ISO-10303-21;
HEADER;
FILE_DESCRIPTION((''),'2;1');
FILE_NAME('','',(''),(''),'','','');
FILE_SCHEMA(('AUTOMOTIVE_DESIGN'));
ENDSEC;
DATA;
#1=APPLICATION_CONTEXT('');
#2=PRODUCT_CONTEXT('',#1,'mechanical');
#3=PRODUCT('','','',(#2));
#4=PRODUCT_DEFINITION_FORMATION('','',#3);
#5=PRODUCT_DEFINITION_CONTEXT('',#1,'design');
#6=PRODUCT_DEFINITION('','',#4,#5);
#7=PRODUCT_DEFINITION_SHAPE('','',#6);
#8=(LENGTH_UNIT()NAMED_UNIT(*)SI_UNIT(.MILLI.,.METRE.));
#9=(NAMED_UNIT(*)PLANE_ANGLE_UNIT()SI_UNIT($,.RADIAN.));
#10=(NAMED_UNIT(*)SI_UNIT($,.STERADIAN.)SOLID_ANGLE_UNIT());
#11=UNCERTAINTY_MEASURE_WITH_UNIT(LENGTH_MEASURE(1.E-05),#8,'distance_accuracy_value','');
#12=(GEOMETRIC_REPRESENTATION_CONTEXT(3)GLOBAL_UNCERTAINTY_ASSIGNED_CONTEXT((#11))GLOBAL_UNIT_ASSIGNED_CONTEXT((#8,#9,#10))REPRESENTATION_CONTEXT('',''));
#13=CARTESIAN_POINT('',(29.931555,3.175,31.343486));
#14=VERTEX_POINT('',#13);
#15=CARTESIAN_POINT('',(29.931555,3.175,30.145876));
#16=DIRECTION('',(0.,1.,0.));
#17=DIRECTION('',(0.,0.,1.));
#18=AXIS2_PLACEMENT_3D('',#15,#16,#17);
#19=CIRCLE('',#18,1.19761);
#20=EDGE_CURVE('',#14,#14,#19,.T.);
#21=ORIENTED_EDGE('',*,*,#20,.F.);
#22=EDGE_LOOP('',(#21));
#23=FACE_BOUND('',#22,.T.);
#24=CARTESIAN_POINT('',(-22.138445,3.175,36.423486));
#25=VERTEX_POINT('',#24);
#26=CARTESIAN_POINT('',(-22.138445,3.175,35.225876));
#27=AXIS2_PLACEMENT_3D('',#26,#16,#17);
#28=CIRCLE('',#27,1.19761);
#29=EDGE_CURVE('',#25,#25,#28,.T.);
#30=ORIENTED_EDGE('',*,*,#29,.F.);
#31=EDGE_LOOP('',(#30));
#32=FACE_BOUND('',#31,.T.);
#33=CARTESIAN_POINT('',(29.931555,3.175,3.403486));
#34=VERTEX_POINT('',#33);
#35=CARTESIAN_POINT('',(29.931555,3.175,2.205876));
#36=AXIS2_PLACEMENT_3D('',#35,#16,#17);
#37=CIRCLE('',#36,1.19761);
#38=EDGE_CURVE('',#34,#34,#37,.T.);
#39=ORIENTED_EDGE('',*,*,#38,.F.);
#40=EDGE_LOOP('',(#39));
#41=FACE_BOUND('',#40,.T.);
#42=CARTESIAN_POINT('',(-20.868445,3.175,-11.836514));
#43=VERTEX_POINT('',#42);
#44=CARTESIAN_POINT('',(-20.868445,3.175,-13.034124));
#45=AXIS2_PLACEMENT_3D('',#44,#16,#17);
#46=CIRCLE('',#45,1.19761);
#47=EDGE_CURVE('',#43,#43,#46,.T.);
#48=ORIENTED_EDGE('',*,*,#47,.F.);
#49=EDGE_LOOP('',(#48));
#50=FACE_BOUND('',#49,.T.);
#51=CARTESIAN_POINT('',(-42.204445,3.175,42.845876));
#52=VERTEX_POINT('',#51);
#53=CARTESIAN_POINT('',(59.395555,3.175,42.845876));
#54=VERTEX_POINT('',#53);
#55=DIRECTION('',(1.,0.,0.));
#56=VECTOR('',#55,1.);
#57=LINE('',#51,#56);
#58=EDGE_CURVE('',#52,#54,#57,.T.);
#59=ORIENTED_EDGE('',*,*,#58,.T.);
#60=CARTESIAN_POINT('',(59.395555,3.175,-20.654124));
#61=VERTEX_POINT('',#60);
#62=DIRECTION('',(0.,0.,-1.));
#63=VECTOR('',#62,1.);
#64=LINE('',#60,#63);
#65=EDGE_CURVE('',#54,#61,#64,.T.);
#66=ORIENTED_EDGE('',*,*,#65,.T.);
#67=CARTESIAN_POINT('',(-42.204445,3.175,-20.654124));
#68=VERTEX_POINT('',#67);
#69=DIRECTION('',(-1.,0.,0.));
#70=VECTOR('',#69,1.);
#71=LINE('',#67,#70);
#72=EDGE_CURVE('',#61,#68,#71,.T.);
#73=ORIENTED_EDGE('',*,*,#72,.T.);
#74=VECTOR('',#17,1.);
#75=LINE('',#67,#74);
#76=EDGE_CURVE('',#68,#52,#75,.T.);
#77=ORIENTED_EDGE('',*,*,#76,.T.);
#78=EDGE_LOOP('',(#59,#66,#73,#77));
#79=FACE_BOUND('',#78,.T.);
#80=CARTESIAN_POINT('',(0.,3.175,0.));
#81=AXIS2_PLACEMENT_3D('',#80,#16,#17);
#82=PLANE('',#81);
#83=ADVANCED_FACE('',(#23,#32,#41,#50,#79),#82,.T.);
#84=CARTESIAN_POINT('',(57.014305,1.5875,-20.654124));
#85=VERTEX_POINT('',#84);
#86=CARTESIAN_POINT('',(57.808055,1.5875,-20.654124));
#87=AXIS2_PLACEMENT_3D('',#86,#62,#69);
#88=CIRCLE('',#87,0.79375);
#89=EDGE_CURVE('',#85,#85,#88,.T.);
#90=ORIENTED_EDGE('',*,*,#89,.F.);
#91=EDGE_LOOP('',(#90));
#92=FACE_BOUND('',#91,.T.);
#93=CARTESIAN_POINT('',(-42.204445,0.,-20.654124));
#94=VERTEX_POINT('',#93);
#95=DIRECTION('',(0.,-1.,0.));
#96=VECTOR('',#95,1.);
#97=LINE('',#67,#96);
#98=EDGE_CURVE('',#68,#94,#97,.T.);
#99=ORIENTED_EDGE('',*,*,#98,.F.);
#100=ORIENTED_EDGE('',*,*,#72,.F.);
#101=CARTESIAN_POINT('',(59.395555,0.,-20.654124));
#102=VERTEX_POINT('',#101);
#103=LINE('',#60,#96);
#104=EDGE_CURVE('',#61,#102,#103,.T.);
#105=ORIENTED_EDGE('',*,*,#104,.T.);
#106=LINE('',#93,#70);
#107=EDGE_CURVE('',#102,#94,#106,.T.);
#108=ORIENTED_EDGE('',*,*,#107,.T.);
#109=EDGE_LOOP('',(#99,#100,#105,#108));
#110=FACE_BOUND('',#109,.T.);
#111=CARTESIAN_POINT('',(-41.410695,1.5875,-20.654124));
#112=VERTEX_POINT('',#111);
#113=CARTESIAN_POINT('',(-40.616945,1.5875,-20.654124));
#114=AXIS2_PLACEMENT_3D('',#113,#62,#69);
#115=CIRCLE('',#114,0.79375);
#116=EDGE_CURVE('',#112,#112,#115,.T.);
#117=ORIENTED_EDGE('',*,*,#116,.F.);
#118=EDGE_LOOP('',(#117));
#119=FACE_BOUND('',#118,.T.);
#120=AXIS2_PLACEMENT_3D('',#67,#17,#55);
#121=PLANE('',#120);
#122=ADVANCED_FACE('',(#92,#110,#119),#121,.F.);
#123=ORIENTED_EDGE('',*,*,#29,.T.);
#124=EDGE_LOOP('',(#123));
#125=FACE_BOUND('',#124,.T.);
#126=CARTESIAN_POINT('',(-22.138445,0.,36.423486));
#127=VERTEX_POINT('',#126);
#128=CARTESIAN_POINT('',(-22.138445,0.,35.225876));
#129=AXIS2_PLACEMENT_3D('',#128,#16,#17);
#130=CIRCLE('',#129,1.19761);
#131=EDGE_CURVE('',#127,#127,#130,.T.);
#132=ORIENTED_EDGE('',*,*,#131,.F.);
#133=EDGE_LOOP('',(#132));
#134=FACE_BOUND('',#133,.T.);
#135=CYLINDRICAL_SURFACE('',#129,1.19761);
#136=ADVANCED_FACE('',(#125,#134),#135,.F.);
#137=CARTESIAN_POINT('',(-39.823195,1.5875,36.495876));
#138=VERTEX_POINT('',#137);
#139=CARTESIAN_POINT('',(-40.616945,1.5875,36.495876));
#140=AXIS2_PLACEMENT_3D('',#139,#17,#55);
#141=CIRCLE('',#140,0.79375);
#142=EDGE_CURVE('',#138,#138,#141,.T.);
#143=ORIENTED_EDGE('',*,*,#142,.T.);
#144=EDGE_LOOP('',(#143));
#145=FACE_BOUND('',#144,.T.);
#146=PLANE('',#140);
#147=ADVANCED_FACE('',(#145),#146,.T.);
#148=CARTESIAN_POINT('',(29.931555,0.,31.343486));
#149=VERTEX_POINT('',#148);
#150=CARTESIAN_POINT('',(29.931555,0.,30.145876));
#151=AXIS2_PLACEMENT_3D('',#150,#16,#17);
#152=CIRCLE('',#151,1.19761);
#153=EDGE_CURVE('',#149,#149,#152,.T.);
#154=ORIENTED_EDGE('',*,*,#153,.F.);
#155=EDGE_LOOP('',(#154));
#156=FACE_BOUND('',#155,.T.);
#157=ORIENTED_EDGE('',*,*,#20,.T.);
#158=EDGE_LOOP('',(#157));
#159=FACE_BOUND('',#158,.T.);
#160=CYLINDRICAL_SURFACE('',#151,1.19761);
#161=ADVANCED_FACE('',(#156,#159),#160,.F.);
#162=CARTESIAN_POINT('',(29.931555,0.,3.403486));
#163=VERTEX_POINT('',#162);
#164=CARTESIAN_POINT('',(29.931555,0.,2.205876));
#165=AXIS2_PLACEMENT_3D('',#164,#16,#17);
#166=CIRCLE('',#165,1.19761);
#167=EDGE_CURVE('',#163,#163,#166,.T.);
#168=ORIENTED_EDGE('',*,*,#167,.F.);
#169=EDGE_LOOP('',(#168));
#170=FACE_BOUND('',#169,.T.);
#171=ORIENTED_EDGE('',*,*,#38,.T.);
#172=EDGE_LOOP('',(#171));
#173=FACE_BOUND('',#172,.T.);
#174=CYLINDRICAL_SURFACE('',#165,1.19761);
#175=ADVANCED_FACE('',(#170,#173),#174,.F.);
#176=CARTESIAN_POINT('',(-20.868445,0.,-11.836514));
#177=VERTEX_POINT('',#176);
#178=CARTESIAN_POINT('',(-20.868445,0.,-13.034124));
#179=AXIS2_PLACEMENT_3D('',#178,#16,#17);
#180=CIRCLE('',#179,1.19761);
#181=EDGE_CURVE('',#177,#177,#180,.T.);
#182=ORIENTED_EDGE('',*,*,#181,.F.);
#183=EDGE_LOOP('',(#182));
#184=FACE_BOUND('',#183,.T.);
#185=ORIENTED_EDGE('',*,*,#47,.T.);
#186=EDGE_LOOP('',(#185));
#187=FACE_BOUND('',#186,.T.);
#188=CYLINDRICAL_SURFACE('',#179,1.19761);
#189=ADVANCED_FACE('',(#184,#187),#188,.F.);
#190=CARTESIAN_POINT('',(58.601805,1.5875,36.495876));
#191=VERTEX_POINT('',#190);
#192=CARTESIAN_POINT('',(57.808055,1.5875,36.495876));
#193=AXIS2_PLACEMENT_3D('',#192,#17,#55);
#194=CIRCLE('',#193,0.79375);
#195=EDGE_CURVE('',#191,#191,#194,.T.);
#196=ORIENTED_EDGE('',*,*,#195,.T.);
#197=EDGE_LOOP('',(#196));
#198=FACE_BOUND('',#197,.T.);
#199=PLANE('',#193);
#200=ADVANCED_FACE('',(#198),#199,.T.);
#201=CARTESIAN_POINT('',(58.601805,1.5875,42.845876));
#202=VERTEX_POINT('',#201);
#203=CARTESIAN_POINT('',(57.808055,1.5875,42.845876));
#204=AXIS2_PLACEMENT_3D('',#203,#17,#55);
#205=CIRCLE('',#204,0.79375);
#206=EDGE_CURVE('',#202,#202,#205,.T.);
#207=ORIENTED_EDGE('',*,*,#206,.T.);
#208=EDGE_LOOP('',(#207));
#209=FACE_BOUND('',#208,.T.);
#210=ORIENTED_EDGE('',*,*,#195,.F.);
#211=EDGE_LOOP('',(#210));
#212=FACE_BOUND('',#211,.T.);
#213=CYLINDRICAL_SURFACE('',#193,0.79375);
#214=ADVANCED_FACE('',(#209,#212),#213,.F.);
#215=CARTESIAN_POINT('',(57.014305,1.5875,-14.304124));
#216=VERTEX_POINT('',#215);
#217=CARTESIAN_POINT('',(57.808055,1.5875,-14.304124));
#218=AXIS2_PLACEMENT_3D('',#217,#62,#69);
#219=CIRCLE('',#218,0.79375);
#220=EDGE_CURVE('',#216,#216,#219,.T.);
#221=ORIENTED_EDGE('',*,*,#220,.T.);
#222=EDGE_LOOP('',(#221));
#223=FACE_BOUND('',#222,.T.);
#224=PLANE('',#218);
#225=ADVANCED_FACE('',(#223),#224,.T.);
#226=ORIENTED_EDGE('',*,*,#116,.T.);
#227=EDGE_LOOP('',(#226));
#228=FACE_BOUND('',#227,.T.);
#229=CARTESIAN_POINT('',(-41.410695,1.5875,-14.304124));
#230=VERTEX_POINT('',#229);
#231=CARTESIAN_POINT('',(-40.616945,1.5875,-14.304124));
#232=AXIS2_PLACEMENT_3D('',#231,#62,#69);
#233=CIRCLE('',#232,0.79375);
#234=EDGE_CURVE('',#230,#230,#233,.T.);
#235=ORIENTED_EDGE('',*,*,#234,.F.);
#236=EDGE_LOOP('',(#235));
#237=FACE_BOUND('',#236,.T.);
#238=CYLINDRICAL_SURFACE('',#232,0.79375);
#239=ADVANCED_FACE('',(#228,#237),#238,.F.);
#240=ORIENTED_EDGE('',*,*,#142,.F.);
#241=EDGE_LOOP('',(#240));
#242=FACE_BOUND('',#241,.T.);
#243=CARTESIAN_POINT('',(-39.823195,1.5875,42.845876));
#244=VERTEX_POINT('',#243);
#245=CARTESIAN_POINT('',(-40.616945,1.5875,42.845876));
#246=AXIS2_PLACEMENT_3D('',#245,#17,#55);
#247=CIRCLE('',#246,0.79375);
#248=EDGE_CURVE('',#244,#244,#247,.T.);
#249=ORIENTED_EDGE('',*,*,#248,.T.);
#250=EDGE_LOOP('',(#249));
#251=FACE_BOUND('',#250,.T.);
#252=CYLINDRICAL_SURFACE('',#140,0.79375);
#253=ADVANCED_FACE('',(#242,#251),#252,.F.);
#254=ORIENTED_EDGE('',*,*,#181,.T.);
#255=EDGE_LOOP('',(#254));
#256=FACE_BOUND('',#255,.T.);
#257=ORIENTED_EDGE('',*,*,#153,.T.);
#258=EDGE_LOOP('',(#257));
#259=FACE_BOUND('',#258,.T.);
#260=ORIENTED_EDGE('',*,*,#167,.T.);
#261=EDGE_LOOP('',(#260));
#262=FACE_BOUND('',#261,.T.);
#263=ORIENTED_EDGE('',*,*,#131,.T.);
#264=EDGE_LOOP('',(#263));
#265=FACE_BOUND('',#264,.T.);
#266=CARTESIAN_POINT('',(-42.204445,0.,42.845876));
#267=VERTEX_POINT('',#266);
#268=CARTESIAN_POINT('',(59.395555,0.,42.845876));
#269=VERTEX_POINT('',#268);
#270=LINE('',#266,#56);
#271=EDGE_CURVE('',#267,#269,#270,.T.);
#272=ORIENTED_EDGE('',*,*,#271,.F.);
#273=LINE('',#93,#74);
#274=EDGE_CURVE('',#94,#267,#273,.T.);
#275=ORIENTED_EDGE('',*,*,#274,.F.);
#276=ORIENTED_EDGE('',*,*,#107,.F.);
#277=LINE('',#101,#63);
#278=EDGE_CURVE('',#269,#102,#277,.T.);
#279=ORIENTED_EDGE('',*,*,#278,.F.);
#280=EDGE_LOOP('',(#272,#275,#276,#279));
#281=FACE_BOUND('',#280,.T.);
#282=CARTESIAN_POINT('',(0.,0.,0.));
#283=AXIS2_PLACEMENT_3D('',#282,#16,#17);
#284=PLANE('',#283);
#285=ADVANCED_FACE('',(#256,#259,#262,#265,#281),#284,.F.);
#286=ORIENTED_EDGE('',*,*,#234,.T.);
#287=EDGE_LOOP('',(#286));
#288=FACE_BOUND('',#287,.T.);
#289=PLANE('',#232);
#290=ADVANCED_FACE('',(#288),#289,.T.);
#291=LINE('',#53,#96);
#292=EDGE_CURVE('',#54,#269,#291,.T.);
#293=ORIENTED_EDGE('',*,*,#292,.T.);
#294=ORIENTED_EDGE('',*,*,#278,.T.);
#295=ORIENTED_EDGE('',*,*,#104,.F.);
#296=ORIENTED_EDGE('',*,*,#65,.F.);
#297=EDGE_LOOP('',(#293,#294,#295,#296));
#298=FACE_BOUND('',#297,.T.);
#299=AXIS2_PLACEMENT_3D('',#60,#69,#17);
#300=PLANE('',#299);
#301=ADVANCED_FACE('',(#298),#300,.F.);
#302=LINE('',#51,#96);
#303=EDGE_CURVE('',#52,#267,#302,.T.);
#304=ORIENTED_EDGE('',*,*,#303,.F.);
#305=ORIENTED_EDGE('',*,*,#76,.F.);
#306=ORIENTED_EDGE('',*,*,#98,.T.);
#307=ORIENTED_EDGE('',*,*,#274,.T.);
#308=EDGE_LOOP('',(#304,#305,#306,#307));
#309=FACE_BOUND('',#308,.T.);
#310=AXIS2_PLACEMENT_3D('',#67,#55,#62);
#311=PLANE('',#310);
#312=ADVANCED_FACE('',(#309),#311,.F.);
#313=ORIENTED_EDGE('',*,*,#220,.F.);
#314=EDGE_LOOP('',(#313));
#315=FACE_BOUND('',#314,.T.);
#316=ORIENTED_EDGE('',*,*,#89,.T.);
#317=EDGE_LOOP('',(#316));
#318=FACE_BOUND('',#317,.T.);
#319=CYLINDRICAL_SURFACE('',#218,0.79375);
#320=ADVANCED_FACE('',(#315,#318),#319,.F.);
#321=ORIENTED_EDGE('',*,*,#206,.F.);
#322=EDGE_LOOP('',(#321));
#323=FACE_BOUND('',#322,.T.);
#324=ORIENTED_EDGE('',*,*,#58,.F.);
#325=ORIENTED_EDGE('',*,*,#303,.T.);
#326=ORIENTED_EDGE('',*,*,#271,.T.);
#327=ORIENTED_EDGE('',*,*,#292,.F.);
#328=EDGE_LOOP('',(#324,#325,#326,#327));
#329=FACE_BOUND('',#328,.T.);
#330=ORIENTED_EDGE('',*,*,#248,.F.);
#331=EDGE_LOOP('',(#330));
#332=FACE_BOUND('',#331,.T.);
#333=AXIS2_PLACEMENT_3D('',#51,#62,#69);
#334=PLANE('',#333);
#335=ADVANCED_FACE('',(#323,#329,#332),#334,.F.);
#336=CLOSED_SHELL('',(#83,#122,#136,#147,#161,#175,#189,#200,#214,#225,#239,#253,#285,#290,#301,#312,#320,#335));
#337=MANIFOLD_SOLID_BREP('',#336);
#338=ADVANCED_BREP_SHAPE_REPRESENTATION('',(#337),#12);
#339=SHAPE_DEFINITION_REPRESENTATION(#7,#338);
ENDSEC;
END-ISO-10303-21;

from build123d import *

# Parameters (mm, degrees)
SKETCH1_W           = 101.6
SKETCH1_H           = 63.5
BOSS_EXTRUDE1_DEPTH = 3.175
SKETCH2_R           = 0.79375
CUT_EXTRUDE1_DEPTH  = 6.35
SKETCH3_R           = 0.79375
CUT_EXTRUDE2_DEPTH  = 6.35
SKETCH4_R           = 1.19761
CUT_EXTRUDE3_DEPTH  = 4.175


with BuildPart() as part:
    # Sketch1 → Boss-Extrude1 (new body)
    with BuildSketch(Plane(origin=(0, 0, 0), x_dir=(1, 0, 0), z_dir=(0, 1, 0))):
        with Locations((8.595554542, -11.095875723)):
            Rectangle(SKETCH1_W, SKETCH1_H)
    extrude(amount=BOSS_EXTRUDE1_DEPTH)

    # Sketch2 → Cut-Extrude1 (cut)
    with BuildSketch(Plane.XY.offset(42.845875723)):
        with Locations((-40.616945458, 1.5875)):
            Circle(SKETCH2_R)
        with Locations((57.808054542, 1.5875)):
            Circle(SKETCH2_R)
    extrude(amount=-CUT_EXTRUDE1_DEPTH, mode=Mode.SUBTRACT)

    # Sketch3 → Cut-Extrude2 (cut)
    with BuildSketch(Plane(origin=(0, 0, -20.654124277), x_dir=(-1, 0, 0), z_dir=(0, 0, -1))):
        with Locations(Location((-57.808054542, 1.5875, 0), (0, 0, 180))):  # turned: the seam where the file's is
            Circle(SKETCH3_R)
        with Locations(Location((40.616945458, 1.5875, 0), (0, 0, 180))):  # turned: the seam where the file's is
            Circle(SKETCH3_R)
    extrude(amount=-CUT_EXTRUDE2_DEPTH, mode=Mode.SUBTRACT)

    # Sketch4 → Cut-Extrude3 (cut, through all)
    with BuildSketch(Plane(origin=(0, 3.175, 0), x_dir=(1, 0, 0), z_dir=(0, 1, 0))):
        with Locations(Location((-20.868445458, 13.034124277, 0), (0, 0, 270))):  # turned: the seam where the file's is
            Circle(SKETCH4_R)
        with Locations(Location((-22.138445458, -35.225875723, 0), (0, 0, 270))):  # turned: the seam where the file's is
            Circle(SKETCH4_R)
        with Locations(Location((29.931554542, -2.205875723, 0), (0, 0, 270))):  # turned: the seam where the file's is
            Circle(SKETCH4_R)
        with Locations(Location((29.931554542, -30.145875723, 0), (0, 0, 270))):  # turned: the seam where the file's is
            Circle(SKETCH4_R)
    extrude(amount=-CUT_EXTRUDE3_DEPTH, mode=Mode.SUBTRACT)


solid = part.part
